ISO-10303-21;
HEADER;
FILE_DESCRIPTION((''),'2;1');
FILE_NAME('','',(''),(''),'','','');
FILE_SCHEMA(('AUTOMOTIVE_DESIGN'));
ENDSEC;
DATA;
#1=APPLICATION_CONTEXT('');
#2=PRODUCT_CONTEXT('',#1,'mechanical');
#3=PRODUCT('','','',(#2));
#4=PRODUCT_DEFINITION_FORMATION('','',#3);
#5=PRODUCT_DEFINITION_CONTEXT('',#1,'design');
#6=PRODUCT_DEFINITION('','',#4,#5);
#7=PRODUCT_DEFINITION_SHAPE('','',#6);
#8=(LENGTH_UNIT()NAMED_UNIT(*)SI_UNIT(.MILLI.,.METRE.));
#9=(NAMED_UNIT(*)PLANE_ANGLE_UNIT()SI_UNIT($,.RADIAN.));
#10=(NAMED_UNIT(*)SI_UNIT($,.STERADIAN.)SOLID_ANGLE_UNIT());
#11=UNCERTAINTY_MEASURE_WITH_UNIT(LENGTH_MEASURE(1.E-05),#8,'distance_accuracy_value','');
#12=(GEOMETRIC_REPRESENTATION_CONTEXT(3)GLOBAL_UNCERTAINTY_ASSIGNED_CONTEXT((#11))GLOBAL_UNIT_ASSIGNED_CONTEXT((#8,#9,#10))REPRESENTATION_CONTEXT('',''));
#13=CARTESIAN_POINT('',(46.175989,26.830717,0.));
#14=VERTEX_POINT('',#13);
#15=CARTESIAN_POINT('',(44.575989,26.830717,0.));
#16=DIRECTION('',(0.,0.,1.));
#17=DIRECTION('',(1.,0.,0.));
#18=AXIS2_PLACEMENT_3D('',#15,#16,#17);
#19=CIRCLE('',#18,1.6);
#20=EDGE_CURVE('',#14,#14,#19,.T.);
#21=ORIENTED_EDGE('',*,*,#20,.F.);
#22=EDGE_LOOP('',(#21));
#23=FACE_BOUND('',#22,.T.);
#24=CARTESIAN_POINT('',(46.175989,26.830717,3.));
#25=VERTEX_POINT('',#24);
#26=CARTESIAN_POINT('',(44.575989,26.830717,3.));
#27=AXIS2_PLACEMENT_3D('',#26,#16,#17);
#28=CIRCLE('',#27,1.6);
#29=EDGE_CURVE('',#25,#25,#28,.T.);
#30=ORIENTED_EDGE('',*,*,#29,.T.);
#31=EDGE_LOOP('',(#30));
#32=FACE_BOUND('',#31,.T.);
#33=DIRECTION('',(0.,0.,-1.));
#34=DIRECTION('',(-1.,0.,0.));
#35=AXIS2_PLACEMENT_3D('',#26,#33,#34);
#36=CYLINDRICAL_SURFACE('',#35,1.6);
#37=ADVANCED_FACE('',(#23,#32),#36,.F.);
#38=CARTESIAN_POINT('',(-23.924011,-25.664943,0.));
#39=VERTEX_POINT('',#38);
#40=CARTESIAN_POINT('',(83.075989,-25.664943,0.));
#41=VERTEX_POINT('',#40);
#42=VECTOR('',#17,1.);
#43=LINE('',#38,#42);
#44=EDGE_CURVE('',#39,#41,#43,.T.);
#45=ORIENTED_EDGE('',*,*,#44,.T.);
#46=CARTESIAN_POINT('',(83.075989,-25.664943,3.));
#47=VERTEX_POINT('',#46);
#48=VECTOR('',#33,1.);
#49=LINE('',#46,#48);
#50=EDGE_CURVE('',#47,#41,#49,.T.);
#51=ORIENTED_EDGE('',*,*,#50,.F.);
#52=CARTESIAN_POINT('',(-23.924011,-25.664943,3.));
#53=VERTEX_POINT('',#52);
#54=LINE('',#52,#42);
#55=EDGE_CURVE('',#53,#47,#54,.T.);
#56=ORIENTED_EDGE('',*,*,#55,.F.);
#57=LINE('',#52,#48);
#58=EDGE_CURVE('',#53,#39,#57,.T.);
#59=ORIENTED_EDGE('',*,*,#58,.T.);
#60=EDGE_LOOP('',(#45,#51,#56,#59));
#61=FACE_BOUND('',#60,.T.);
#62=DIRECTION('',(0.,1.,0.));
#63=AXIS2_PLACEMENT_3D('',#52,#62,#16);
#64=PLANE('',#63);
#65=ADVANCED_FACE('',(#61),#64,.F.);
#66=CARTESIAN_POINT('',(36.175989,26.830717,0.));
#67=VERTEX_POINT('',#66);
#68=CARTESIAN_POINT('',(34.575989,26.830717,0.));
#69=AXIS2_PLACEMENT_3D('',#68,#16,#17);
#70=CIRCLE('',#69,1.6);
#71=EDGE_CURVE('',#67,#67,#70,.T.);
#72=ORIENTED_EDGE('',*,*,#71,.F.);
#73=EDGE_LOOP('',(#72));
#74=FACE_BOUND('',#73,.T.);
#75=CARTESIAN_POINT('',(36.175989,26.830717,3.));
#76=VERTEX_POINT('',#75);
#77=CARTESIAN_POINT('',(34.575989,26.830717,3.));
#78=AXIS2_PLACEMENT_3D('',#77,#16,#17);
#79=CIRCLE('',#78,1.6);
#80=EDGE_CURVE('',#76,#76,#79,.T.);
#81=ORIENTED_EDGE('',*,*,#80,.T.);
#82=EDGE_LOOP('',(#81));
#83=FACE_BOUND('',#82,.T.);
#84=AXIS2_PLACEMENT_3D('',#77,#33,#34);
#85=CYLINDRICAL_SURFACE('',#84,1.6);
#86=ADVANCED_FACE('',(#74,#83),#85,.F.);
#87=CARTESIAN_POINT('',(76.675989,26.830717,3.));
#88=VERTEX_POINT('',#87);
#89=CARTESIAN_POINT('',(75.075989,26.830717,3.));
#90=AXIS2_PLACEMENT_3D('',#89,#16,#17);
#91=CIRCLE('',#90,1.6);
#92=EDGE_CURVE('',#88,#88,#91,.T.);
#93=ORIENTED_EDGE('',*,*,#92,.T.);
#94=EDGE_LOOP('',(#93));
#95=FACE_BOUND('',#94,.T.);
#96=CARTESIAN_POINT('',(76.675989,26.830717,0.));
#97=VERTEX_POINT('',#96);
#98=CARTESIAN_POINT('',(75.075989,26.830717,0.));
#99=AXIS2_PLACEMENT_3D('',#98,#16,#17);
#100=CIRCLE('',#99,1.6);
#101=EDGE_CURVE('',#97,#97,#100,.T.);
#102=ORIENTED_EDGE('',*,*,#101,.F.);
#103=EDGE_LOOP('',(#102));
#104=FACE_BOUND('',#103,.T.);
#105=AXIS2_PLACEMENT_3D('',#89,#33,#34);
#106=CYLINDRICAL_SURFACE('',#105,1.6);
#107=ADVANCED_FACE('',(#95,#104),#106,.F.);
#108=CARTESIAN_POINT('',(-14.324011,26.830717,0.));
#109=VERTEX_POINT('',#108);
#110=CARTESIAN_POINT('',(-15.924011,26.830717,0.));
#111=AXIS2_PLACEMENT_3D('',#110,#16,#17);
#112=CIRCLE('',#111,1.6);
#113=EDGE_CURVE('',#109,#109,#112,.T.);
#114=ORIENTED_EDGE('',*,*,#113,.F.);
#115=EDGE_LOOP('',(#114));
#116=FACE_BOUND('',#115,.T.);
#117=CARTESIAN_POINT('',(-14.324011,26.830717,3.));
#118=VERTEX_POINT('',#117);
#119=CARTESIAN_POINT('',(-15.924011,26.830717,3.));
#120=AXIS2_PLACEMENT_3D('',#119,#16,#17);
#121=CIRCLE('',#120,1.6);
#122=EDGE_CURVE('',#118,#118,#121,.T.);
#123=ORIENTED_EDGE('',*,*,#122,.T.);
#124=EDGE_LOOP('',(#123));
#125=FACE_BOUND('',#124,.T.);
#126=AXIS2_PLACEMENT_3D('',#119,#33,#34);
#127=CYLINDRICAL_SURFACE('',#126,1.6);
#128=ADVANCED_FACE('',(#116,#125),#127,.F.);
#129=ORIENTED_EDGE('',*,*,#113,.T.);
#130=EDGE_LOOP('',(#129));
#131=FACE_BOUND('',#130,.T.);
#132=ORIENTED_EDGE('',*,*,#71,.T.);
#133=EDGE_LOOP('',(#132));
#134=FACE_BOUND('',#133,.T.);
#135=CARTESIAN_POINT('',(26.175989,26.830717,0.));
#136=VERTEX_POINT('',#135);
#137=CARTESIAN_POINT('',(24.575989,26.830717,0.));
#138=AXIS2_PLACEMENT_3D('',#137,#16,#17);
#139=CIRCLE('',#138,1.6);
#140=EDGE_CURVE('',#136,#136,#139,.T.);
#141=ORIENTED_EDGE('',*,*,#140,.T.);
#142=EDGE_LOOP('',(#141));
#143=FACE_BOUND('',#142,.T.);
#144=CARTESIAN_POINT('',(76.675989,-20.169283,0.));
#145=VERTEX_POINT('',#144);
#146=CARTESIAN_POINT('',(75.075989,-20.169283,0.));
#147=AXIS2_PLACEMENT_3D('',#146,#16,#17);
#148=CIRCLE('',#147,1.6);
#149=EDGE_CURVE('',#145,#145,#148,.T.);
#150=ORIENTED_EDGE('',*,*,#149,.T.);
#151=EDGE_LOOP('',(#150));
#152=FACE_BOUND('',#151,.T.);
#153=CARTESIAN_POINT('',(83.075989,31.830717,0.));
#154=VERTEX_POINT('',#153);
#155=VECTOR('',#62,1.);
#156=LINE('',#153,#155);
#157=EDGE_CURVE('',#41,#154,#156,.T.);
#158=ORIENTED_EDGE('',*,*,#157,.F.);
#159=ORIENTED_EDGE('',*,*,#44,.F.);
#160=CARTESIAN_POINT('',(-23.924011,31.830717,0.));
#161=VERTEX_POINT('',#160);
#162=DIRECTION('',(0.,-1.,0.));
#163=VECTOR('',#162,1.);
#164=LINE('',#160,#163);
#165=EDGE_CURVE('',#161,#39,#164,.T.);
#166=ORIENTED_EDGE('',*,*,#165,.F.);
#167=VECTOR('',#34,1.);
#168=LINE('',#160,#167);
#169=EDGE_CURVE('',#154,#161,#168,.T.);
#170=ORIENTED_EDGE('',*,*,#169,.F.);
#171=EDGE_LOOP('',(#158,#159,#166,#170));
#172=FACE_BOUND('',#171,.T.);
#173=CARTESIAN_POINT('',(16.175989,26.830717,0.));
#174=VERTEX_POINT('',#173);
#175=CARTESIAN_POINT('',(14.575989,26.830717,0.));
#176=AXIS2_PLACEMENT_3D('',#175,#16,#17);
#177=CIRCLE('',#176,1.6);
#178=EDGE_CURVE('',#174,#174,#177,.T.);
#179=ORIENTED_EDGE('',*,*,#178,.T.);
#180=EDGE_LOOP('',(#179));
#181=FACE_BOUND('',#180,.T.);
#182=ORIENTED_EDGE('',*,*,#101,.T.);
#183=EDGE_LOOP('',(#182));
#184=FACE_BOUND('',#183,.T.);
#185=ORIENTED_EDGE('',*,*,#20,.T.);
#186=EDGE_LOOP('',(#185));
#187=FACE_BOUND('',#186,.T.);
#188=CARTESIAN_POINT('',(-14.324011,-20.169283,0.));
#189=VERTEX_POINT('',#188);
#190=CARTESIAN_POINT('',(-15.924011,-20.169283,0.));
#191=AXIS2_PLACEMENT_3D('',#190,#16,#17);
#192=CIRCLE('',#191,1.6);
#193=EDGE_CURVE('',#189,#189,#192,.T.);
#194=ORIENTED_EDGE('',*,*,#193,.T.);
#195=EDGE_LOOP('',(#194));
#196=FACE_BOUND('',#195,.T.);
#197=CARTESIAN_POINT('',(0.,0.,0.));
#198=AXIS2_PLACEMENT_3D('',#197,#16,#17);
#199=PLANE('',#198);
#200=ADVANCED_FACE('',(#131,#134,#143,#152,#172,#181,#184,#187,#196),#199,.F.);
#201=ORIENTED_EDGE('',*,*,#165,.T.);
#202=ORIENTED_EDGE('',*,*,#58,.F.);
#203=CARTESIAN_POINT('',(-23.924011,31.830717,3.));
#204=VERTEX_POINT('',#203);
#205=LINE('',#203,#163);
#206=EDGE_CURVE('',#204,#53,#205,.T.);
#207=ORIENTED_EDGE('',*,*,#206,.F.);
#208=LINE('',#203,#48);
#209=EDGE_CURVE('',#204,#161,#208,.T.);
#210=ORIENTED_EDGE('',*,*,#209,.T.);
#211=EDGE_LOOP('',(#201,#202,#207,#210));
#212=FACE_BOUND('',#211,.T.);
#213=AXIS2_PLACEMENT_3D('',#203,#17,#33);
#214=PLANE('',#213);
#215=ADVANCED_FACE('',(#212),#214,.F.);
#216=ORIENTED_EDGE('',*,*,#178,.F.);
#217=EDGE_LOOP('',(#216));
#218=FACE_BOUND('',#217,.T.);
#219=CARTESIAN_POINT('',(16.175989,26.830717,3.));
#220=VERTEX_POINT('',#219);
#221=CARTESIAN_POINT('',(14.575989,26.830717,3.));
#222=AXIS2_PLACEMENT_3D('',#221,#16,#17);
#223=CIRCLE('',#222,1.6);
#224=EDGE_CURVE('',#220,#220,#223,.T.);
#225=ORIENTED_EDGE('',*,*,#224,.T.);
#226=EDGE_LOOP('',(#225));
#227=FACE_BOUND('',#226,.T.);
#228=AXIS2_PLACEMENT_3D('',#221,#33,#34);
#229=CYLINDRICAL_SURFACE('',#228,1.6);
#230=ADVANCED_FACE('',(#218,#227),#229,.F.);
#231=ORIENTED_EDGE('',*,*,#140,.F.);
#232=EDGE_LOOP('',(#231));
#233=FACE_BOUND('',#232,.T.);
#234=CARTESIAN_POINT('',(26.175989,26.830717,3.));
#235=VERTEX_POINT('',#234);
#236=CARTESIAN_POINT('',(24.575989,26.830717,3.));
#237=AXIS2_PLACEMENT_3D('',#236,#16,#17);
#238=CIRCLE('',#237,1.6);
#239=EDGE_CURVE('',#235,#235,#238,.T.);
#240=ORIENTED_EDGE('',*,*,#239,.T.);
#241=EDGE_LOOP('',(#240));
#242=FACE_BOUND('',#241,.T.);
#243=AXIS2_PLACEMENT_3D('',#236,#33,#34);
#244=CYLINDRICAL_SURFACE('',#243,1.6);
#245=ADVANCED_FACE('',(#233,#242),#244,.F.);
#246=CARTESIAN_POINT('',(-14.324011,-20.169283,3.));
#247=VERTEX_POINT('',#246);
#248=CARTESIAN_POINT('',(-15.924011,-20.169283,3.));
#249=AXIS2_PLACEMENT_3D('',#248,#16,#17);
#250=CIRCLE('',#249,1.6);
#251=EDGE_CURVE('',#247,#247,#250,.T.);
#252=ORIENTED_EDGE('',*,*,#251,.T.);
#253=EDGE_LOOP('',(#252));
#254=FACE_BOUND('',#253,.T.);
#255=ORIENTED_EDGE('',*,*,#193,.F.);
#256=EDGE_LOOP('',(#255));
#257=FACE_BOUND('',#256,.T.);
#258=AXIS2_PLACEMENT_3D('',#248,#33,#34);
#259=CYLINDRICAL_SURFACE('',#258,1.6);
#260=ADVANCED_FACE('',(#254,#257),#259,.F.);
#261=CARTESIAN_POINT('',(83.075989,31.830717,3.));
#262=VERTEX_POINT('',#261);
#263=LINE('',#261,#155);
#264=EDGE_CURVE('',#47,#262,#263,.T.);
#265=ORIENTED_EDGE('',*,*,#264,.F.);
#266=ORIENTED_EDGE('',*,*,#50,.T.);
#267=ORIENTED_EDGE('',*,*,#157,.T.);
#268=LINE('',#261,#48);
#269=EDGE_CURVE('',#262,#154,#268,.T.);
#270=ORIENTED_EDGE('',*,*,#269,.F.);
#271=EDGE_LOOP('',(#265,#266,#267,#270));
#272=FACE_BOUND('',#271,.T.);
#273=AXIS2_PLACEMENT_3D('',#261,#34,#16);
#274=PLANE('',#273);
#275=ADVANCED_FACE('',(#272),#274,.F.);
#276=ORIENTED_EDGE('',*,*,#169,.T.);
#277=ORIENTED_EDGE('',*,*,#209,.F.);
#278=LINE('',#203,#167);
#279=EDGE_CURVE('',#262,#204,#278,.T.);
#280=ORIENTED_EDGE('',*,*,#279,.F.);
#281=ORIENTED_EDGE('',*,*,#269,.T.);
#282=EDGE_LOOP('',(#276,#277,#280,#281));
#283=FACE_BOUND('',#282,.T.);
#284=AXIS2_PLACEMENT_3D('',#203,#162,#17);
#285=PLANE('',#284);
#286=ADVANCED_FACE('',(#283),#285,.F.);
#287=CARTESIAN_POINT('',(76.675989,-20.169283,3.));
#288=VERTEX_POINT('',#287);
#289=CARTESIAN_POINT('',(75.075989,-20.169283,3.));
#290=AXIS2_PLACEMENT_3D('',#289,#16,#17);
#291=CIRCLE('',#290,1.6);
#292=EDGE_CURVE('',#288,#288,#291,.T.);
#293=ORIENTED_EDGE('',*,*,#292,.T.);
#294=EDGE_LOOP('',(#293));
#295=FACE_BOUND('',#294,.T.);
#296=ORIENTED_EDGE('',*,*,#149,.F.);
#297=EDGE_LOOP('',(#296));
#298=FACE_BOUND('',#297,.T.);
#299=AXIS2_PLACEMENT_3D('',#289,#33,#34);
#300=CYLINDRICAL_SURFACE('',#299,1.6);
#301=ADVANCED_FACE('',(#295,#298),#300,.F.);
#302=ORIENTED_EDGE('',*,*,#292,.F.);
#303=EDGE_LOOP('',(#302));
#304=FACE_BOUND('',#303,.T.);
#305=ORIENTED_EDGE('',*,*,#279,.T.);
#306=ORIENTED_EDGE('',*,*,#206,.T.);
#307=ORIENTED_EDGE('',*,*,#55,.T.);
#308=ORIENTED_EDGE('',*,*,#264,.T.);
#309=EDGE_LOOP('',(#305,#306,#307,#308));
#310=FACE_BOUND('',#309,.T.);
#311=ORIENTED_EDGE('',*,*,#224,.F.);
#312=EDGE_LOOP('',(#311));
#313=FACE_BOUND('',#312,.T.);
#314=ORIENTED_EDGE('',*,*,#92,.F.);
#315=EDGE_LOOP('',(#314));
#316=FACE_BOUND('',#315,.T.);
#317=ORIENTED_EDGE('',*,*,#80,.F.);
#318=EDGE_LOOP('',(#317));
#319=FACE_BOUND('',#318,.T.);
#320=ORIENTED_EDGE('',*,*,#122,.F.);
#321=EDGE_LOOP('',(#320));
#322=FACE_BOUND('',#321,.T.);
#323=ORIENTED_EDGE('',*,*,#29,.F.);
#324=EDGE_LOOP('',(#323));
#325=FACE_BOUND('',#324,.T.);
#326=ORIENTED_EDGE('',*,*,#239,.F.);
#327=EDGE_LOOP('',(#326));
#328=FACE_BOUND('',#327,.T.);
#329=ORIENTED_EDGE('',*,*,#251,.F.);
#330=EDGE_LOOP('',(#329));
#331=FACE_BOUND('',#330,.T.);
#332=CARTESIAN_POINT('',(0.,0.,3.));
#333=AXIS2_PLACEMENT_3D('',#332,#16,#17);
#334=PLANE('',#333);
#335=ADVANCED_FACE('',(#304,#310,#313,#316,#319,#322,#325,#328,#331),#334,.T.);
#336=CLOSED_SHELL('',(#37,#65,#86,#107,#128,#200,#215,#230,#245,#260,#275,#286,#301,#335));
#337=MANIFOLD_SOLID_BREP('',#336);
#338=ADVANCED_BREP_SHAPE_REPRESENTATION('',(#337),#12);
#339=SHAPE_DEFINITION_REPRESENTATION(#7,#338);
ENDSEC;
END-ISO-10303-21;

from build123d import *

# Parameters (mm, degrees)
SKETCH_1_W      = 107
SKETCH_1_H      = 57.495660379
SKETCH_1_R      = 1.6
EXTRUDE_1_DEPTH = 3


with BuildPart() as part:
    # 草图1 → 凸台-拉伸1 (new body)
    with BuildSketch(Plane.XY):
        with Locations((29.575989426, 3.082887299)):
            Rectangle(SKETCH_1_W, SKETCH_1_H)
        with Locations((-15.924010574, 26.830717489)):
            Circle(SKETCH_1_R, mode=Mode.SUBTRACT)
        with Locations((-15.924010574, -20.169282511)):
            Circle(SKETCH_1_R, mode=Mode.SUBTRACT)
        with Locations((75.075989426, -20.169282511)):
            Circle(SKETCH_1_R, mode=Mode.SUBTRACT)
        with Locations((75.075989426, 26.830717489)):
            Circle(SKETCH_1_R, mode=Mode.SUBTRACT)
        with Locations((14.575989426, 26.830717489)):
            Circle(SKETCH_1_R, mode=Mode.SUBTRACT)
        with Locations((24.575989426, 26.830717489)):
            Circle(SKETCH_1_R, mode=Mode.SUBTRACT)
        with Locations((34.575989426, 26.830717489)):
            Circle(SKETCH_1_R, mode=Mode.SUBTRACT)
        with Locations((44.575989426, 26.830717489)):
            Circle(SKETCH_1_R, mode=Mode.SUBTRACT)
    extrude(amount=EXTRUDE_1_DEPTH)


solid = part.part
